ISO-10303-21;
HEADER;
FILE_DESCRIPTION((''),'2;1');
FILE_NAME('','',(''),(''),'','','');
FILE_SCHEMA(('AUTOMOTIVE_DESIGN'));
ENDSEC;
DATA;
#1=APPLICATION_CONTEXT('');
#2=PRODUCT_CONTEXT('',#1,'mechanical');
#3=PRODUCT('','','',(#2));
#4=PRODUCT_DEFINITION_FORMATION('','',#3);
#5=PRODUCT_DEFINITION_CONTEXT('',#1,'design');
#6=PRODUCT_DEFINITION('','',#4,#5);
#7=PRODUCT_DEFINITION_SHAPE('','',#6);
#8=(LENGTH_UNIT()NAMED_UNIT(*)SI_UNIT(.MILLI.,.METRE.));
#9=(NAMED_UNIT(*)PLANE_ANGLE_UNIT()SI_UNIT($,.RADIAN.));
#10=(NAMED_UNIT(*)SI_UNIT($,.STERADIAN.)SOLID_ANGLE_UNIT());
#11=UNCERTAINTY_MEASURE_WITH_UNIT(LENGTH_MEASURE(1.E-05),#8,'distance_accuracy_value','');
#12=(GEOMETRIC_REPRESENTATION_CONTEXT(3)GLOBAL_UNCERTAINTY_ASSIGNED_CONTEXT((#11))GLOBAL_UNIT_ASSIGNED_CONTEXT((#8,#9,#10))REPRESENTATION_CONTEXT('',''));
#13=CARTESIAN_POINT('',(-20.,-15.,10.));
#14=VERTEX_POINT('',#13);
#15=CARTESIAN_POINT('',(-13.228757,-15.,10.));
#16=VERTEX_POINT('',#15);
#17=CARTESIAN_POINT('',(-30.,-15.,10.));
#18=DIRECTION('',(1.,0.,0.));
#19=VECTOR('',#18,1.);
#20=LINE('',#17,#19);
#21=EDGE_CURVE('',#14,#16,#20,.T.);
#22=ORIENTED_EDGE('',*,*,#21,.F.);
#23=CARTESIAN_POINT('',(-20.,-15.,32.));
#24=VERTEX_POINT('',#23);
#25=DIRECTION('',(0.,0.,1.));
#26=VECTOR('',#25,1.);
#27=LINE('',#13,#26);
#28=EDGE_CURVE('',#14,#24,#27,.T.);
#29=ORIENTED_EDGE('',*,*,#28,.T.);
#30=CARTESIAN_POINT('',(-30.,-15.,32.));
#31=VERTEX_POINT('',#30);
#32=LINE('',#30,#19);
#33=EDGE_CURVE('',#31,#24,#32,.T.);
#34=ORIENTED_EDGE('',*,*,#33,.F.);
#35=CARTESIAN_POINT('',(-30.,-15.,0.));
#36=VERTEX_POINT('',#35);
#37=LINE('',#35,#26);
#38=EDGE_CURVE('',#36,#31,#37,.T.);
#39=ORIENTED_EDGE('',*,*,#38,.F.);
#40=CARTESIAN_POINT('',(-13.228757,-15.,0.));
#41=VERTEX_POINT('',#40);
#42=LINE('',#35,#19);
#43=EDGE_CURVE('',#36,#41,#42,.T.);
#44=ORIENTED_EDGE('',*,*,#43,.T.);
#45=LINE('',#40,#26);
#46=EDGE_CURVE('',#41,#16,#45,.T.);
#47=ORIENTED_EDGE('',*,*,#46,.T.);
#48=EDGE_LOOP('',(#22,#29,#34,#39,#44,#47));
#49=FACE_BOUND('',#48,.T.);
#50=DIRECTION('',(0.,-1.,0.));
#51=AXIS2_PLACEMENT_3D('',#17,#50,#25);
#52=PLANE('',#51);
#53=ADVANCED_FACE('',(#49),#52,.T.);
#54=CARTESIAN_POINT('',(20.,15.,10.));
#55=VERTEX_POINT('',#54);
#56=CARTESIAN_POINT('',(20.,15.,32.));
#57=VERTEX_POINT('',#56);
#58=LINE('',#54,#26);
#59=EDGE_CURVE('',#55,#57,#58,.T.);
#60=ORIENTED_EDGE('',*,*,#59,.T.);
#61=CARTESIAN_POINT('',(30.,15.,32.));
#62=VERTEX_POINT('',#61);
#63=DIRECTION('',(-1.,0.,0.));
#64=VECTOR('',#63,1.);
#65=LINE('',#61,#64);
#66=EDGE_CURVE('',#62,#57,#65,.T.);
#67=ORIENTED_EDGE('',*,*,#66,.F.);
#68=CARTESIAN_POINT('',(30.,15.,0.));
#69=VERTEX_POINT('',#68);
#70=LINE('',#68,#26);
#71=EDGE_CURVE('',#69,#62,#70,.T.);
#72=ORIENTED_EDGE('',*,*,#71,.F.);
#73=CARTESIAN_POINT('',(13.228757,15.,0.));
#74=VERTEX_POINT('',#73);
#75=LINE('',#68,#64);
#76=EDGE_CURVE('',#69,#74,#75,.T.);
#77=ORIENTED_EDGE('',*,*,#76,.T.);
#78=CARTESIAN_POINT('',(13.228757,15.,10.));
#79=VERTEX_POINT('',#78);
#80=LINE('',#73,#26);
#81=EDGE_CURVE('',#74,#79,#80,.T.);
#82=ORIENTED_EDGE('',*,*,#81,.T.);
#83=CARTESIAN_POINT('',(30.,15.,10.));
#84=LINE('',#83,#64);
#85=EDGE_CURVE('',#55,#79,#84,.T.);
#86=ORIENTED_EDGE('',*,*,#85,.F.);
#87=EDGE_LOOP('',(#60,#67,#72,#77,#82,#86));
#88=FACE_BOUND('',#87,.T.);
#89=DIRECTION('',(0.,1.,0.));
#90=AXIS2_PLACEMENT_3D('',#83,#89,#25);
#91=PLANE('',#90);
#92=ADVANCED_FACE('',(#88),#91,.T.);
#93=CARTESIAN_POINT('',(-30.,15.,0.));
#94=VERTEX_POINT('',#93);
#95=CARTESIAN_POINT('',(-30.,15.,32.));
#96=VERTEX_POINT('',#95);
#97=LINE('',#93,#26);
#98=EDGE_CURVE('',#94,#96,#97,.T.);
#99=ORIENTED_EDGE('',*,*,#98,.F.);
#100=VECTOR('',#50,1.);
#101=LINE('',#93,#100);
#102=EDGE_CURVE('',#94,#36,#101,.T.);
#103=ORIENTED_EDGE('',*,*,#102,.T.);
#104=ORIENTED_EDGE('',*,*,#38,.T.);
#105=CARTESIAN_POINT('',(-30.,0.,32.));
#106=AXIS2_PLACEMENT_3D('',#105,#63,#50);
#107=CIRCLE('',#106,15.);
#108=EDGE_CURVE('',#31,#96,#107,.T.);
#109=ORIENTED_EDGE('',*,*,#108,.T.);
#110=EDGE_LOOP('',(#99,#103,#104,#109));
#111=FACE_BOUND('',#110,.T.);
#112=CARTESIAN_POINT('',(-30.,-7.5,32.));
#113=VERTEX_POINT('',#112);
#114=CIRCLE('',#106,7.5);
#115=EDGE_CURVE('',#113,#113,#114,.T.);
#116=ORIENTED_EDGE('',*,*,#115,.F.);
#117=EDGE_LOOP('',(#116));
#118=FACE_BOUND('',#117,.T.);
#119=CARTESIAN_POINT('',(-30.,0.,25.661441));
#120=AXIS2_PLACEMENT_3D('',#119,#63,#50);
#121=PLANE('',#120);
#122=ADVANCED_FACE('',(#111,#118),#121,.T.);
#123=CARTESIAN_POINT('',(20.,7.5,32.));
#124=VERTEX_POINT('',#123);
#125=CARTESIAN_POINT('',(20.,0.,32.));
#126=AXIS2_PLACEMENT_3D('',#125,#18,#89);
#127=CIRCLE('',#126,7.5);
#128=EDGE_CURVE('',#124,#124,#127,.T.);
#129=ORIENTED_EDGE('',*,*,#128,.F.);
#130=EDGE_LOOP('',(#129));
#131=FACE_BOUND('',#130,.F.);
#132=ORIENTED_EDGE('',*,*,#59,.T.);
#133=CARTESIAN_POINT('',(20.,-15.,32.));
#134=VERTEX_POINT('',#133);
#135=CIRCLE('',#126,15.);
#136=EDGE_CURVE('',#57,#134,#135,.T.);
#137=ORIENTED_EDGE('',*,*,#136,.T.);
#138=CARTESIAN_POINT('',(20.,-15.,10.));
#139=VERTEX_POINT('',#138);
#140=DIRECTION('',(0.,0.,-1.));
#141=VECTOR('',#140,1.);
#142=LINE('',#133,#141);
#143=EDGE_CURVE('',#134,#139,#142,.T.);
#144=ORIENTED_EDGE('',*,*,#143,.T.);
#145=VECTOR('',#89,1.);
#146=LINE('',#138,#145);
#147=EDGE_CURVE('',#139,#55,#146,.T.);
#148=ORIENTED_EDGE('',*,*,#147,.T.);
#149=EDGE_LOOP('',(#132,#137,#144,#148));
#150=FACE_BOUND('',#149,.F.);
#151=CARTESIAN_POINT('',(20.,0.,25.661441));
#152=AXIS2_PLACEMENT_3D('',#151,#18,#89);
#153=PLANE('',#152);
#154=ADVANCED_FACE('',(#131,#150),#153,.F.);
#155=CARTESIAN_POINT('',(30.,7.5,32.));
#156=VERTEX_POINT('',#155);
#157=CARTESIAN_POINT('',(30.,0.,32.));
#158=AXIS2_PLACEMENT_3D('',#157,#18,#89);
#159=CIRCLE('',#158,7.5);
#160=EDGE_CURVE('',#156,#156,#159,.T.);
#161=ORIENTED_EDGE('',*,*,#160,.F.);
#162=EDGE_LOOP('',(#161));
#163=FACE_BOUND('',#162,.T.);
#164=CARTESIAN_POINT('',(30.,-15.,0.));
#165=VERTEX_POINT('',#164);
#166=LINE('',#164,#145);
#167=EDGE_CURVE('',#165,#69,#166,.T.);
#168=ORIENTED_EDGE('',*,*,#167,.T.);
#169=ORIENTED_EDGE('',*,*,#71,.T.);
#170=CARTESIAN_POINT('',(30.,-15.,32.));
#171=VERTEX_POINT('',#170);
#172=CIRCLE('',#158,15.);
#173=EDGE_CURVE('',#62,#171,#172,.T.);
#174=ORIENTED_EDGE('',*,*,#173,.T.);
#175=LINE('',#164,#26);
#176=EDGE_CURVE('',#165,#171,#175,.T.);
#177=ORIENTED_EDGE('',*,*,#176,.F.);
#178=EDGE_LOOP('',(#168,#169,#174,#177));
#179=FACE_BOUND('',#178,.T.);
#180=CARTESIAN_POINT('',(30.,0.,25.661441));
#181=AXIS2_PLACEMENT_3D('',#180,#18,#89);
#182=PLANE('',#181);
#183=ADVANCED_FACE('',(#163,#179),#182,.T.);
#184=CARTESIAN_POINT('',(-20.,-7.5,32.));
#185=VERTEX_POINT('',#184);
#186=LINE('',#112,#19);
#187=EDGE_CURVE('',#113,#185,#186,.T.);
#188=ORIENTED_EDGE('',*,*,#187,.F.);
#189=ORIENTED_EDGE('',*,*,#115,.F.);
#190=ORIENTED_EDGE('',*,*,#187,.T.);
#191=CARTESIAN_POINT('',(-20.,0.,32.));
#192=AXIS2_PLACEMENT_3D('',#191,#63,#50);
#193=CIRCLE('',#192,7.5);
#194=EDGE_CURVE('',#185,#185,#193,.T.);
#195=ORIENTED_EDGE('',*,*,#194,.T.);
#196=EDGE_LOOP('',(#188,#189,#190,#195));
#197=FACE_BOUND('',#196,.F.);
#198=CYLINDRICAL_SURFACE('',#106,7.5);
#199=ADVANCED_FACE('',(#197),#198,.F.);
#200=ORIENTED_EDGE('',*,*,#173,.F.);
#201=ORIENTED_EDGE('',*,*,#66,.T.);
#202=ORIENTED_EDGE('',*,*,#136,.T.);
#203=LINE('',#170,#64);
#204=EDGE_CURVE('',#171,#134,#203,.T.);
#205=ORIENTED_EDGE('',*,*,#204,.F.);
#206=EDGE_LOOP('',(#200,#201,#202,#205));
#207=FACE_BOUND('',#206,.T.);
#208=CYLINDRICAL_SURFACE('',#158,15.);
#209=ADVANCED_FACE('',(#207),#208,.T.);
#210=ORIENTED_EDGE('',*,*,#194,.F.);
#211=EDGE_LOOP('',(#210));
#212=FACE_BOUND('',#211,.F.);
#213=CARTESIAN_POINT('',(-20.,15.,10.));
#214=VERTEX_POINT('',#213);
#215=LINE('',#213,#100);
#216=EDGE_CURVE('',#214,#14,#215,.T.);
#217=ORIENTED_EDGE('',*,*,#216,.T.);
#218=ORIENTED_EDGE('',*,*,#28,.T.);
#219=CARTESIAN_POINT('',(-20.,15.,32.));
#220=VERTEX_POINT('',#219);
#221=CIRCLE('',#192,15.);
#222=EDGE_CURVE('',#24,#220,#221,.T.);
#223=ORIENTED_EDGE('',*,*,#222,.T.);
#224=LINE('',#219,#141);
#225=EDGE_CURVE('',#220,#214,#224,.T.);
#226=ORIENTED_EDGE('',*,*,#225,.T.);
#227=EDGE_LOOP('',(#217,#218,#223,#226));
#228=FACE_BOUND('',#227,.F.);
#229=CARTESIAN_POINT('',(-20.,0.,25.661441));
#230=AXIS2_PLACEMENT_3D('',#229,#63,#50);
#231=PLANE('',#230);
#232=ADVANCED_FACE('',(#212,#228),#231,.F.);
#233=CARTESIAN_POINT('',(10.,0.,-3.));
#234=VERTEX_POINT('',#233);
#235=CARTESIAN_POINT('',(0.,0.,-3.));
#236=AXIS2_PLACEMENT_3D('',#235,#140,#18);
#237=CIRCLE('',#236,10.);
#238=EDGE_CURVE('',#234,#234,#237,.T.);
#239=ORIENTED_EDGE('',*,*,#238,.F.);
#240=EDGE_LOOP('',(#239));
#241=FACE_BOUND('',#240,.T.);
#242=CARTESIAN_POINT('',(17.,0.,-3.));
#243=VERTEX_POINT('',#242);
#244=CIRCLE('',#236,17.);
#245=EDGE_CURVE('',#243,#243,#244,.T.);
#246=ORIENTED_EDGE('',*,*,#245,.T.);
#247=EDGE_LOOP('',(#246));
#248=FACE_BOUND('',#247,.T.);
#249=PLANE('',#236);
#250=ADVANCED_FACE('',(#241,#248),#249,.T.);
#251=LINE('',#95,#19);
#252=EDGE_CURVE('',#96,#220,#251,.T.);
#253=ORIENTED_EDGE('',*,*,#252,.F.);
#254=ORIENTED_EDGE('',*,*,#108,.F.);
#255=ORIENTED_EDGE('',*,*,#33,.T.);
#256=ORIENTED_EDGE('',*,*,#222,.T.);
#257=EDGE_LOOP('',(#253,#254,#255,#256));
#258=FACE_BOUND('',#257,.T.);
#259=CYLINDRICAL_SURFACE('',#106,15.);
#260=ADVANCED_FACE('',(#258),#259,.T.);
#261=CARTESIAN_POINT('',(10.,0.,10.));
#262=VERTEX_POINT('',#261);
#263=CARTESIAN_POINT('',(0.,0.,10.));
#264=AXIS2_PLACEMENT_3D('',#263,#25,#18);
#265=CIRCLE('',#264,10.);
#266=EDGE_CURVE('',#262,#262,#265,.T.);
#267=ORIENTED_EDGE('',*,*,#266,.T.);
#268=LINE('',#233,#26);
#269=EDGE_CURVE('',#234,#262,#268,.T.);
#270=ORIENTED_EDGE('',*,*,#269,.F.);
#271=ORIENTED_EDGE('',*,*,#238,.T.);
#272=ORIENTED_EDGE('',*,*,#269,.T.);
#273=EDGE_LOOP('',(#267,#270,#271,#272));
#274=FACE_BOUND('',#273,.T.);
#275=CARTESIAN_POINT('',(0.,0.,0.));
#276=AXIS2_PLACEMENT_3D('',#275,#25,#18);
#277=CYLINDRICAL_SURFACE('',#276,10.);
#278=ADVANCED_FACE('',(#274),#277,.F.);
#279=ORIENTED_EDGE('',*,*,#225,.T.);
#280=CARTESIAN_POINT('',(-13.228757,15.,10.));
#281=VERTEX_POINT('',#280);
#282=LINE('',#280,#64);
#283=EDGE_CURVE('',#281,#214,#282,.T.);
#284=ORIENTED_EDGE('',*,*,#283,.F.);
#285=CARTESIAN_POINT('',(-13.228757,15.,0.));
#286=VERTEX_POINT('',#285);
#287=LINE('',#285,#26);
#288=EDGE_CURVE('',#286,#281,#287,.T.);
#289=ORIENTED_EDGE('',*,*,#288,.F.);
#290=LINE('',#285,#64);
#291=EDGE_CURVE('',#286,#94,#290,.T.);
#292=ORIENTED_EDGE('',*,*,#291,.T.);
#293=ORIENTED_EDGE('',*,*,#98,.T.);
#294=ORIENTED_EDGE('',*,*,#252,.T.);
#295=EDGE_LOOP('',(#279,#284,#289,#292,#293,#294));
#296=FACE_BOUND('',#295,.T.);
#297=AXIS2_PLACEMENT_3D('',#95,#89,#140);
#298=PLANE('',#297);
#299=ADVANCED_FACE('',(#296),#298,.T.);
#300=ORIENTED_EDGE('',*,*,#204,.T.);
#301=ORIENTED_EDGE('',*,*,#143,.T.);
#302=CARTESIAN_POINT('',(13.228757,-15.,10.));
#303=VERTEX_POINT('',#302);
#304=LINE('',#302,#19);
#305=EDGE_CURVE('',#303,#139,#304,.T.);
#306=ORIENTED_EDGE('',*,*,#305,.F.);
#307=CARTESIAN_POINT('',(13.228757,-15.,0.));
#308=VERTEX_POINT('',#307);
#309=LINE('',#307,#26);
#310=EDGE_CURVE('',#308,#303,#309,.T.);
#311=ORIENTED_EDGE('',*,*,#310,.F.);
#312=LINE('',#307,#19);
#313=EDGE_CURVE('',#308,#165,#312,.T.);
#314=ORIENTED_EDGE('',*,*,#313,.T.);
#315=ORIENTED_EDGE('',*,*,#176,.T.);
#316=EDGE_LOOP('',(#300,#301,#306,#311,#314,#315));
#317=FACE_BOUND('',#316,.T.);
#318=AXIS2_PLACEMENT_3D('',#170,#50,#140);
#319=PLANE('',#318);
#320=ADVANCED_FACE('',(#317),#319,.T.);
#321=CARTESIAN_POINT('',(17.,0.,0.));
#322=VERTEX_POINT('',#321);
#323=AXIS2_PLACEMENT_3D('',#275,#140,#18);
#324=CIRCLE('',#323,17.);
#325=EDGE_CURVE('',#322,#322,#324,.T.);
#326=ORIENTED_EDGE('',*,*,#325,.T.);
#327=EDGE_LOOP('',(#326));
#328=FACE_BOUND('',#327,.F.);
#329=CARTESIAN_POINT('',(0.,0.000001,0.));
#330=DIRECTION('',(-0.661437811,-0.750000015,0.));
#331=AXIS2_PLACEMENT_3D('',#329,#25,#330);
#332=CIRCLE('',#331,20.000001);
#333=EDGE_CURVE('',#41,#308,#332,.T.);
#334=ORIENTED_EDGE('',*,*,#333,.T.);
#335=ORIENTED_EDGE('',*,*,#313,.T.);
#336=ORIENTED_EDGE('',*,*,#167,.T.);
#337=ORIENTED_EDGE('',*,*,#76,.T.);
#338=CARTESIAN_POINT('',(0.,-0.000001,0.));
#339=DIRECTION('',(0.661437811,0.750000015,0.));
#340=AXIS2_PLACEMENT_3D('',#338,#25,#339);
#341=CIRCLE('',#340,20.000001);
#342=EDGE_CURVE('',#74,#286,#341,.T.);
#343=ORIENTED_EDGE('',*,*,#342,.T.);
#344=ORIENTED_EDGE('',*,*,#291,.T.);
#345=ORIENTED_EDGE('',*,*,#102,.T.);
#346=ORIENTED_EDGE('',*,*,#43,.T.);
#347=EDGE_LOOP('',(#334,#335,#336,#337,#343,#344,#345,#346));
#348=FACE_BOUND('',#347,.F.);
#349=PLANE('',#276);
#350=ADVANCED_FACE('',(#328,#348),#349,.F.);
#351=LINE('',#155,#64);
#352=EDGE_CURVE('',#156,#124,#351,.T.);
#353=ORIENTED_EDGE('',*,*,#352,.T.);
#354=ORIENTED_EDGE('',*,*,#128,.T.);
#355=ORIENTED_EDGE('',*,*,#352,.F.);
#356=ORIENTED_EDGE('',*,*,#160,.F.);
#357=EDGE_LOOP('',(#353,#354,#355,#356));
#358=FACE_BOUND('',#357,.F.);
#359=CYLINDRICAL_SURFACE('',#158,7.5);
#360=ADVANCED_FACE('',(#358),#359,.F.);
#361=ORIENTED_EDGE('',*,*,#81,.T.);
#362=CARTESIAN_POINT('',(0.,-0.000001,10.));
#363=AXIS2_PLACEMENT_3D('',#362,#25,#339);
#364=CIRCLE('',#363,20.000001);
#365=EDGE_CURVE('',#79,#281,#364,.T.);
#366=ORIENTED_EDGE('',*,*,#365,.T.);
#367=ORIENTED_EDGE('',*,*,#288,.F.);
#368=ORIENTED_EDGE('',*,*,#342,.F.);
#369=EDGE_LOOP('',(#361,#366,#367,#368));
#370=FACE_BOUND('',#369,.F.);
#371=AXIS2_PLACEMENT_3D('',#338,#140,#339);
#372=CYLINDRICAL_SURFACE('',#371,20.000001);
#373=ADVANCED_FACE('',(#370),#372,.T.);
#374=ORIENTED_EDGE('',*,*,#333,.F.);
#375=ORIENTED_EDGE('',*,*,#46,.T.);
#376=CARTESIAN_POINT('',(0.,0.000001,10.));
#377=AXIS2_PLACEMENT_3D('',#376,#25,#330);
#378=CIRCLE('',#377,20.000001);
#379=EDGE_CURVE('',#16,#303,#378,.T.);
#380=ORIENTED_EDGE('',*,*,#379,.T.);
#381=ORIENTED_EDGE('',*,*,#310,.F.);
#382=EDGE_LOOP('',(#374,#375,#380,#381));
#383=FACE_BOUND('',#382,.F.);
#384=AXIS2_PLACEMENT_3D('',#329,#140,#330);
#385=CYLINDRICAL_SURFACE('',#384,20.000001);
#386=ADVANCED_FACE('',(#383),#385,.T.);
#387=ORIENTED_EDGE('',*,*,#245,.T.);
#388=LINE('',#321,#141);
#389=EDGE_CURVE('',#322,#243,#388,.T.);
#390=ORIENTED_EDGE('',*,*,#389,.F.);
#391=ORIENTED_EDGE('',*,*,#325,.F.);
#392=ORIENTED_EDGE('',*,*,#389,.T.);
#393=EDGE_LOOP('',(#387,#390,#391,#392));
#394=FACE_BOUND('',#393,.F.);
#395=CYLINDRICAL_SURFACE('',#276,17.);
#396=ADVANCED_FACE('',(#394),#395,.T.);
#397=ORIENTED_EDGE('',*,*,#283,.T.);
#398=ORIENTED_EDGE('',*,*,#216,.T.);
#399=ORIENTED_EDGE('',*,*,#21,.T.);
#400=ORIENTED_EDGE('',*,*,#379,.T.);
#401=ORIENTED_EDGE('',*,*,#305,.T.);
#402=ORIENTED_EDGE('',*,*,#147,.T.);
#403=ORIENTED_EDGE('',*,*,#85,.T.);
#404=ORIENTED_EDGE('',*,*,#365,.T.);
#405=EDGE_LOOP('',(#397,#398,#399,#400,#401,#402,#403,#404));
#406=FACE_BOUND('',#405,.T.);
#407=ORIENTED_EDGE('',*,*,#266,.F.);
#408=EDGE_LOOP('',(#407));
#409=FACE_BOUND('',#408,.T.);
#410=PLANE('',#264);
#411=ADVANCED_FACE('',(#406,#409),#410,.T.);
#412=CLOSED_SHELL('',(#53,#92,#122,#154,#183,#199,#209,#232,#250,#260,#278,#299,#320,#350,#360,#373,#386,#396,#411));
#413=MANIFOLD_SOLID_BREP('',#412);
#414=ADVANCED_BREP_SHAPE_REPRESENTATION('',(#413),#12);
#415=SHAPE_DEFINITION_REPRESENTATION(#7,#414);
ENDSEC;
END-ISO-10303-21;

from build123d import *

# Parameters (mm, degrees)
F0_R     = 10
F1_DEPTH = 10
F2_R     = 17
F2_R_2   = 10
F3_DEPTH = 3
F4_R     = 7.5
F5_DEPTH = 10
F6_R     = 7.5
F7_DEPTH = 10


with BuildPart() as f1:
    # F0 (on Top) → F1 (new body)
    with BuildSketch(Plane.XY):
        with BuildLine():
            Line((-30, -15), (-13.228757, -15))
            ThreePointArc((-13.228757, -15), (0, -20), (13.228757, -15))
            Line((13.228757, -15), (30, -15))
            Line((30, -15), (30, 15))
            Line((30, 15), (13.228757, 15))
            ThreePointArc((13.228757, 15), (0, 20), (-13.228757, 15))
            Line((-13.228757, 15), (-30, 15))
            Line((-30, 15), (-30, -15))
        make_face()
        Circle(F0_R, mode=Mode.SUBTRACT)
    extrude(amount=F1_DEPTH)

    # F2 (on face) → F3 (join)
    with BuildSketch(Plane(origin=(0, 0, 0), x_dir=(1, 0, 0), z_dir=(0, 0, -1))):
        Circle(F2_R)
        Circle(F2_R_2, mode=Mode.SUBTRACT)
    extrude(amount=F3_DEPTH)

    # F4 (on face) → F5 (join)
    with BuildSketch(Plane(origin=(-30, 0, 0), x_dir=(0, -1, 0), z_dir=(-1, 0, 0))):
        with BuildLine():
            Line((-15, 32), (-15, 10))
            Line((-15, 10), (15, 10))
            Line((15, 10), (15, 32))
            ThreePointArc((15, 32), (0, 47), (-15, 32))
        make_face()
        with Locations((0, 32)):
            Circle(F4_R, mode=Mode.SUBTRACT)
    extrude(amount=-F5_DEPTH)

    # F6 (on face) → F7 (join)
    with BuildSketch(Plane.YZ.offset(30)):
        with BuildLine():
            Line((-15, 32), (-15, 10))
            Line((-15, 10), (15, 10))
            Line((15, 10), (15, 32))
            ThreePointArc((15, 32), (0, 47), (-15, 32))
        make_face()
        with Locations((0, 32)):
            Circle(F6_R, mode=Mode.SUBTRACT)
    extrude(amount=-F7_DEPTH)


solid = f1.part
